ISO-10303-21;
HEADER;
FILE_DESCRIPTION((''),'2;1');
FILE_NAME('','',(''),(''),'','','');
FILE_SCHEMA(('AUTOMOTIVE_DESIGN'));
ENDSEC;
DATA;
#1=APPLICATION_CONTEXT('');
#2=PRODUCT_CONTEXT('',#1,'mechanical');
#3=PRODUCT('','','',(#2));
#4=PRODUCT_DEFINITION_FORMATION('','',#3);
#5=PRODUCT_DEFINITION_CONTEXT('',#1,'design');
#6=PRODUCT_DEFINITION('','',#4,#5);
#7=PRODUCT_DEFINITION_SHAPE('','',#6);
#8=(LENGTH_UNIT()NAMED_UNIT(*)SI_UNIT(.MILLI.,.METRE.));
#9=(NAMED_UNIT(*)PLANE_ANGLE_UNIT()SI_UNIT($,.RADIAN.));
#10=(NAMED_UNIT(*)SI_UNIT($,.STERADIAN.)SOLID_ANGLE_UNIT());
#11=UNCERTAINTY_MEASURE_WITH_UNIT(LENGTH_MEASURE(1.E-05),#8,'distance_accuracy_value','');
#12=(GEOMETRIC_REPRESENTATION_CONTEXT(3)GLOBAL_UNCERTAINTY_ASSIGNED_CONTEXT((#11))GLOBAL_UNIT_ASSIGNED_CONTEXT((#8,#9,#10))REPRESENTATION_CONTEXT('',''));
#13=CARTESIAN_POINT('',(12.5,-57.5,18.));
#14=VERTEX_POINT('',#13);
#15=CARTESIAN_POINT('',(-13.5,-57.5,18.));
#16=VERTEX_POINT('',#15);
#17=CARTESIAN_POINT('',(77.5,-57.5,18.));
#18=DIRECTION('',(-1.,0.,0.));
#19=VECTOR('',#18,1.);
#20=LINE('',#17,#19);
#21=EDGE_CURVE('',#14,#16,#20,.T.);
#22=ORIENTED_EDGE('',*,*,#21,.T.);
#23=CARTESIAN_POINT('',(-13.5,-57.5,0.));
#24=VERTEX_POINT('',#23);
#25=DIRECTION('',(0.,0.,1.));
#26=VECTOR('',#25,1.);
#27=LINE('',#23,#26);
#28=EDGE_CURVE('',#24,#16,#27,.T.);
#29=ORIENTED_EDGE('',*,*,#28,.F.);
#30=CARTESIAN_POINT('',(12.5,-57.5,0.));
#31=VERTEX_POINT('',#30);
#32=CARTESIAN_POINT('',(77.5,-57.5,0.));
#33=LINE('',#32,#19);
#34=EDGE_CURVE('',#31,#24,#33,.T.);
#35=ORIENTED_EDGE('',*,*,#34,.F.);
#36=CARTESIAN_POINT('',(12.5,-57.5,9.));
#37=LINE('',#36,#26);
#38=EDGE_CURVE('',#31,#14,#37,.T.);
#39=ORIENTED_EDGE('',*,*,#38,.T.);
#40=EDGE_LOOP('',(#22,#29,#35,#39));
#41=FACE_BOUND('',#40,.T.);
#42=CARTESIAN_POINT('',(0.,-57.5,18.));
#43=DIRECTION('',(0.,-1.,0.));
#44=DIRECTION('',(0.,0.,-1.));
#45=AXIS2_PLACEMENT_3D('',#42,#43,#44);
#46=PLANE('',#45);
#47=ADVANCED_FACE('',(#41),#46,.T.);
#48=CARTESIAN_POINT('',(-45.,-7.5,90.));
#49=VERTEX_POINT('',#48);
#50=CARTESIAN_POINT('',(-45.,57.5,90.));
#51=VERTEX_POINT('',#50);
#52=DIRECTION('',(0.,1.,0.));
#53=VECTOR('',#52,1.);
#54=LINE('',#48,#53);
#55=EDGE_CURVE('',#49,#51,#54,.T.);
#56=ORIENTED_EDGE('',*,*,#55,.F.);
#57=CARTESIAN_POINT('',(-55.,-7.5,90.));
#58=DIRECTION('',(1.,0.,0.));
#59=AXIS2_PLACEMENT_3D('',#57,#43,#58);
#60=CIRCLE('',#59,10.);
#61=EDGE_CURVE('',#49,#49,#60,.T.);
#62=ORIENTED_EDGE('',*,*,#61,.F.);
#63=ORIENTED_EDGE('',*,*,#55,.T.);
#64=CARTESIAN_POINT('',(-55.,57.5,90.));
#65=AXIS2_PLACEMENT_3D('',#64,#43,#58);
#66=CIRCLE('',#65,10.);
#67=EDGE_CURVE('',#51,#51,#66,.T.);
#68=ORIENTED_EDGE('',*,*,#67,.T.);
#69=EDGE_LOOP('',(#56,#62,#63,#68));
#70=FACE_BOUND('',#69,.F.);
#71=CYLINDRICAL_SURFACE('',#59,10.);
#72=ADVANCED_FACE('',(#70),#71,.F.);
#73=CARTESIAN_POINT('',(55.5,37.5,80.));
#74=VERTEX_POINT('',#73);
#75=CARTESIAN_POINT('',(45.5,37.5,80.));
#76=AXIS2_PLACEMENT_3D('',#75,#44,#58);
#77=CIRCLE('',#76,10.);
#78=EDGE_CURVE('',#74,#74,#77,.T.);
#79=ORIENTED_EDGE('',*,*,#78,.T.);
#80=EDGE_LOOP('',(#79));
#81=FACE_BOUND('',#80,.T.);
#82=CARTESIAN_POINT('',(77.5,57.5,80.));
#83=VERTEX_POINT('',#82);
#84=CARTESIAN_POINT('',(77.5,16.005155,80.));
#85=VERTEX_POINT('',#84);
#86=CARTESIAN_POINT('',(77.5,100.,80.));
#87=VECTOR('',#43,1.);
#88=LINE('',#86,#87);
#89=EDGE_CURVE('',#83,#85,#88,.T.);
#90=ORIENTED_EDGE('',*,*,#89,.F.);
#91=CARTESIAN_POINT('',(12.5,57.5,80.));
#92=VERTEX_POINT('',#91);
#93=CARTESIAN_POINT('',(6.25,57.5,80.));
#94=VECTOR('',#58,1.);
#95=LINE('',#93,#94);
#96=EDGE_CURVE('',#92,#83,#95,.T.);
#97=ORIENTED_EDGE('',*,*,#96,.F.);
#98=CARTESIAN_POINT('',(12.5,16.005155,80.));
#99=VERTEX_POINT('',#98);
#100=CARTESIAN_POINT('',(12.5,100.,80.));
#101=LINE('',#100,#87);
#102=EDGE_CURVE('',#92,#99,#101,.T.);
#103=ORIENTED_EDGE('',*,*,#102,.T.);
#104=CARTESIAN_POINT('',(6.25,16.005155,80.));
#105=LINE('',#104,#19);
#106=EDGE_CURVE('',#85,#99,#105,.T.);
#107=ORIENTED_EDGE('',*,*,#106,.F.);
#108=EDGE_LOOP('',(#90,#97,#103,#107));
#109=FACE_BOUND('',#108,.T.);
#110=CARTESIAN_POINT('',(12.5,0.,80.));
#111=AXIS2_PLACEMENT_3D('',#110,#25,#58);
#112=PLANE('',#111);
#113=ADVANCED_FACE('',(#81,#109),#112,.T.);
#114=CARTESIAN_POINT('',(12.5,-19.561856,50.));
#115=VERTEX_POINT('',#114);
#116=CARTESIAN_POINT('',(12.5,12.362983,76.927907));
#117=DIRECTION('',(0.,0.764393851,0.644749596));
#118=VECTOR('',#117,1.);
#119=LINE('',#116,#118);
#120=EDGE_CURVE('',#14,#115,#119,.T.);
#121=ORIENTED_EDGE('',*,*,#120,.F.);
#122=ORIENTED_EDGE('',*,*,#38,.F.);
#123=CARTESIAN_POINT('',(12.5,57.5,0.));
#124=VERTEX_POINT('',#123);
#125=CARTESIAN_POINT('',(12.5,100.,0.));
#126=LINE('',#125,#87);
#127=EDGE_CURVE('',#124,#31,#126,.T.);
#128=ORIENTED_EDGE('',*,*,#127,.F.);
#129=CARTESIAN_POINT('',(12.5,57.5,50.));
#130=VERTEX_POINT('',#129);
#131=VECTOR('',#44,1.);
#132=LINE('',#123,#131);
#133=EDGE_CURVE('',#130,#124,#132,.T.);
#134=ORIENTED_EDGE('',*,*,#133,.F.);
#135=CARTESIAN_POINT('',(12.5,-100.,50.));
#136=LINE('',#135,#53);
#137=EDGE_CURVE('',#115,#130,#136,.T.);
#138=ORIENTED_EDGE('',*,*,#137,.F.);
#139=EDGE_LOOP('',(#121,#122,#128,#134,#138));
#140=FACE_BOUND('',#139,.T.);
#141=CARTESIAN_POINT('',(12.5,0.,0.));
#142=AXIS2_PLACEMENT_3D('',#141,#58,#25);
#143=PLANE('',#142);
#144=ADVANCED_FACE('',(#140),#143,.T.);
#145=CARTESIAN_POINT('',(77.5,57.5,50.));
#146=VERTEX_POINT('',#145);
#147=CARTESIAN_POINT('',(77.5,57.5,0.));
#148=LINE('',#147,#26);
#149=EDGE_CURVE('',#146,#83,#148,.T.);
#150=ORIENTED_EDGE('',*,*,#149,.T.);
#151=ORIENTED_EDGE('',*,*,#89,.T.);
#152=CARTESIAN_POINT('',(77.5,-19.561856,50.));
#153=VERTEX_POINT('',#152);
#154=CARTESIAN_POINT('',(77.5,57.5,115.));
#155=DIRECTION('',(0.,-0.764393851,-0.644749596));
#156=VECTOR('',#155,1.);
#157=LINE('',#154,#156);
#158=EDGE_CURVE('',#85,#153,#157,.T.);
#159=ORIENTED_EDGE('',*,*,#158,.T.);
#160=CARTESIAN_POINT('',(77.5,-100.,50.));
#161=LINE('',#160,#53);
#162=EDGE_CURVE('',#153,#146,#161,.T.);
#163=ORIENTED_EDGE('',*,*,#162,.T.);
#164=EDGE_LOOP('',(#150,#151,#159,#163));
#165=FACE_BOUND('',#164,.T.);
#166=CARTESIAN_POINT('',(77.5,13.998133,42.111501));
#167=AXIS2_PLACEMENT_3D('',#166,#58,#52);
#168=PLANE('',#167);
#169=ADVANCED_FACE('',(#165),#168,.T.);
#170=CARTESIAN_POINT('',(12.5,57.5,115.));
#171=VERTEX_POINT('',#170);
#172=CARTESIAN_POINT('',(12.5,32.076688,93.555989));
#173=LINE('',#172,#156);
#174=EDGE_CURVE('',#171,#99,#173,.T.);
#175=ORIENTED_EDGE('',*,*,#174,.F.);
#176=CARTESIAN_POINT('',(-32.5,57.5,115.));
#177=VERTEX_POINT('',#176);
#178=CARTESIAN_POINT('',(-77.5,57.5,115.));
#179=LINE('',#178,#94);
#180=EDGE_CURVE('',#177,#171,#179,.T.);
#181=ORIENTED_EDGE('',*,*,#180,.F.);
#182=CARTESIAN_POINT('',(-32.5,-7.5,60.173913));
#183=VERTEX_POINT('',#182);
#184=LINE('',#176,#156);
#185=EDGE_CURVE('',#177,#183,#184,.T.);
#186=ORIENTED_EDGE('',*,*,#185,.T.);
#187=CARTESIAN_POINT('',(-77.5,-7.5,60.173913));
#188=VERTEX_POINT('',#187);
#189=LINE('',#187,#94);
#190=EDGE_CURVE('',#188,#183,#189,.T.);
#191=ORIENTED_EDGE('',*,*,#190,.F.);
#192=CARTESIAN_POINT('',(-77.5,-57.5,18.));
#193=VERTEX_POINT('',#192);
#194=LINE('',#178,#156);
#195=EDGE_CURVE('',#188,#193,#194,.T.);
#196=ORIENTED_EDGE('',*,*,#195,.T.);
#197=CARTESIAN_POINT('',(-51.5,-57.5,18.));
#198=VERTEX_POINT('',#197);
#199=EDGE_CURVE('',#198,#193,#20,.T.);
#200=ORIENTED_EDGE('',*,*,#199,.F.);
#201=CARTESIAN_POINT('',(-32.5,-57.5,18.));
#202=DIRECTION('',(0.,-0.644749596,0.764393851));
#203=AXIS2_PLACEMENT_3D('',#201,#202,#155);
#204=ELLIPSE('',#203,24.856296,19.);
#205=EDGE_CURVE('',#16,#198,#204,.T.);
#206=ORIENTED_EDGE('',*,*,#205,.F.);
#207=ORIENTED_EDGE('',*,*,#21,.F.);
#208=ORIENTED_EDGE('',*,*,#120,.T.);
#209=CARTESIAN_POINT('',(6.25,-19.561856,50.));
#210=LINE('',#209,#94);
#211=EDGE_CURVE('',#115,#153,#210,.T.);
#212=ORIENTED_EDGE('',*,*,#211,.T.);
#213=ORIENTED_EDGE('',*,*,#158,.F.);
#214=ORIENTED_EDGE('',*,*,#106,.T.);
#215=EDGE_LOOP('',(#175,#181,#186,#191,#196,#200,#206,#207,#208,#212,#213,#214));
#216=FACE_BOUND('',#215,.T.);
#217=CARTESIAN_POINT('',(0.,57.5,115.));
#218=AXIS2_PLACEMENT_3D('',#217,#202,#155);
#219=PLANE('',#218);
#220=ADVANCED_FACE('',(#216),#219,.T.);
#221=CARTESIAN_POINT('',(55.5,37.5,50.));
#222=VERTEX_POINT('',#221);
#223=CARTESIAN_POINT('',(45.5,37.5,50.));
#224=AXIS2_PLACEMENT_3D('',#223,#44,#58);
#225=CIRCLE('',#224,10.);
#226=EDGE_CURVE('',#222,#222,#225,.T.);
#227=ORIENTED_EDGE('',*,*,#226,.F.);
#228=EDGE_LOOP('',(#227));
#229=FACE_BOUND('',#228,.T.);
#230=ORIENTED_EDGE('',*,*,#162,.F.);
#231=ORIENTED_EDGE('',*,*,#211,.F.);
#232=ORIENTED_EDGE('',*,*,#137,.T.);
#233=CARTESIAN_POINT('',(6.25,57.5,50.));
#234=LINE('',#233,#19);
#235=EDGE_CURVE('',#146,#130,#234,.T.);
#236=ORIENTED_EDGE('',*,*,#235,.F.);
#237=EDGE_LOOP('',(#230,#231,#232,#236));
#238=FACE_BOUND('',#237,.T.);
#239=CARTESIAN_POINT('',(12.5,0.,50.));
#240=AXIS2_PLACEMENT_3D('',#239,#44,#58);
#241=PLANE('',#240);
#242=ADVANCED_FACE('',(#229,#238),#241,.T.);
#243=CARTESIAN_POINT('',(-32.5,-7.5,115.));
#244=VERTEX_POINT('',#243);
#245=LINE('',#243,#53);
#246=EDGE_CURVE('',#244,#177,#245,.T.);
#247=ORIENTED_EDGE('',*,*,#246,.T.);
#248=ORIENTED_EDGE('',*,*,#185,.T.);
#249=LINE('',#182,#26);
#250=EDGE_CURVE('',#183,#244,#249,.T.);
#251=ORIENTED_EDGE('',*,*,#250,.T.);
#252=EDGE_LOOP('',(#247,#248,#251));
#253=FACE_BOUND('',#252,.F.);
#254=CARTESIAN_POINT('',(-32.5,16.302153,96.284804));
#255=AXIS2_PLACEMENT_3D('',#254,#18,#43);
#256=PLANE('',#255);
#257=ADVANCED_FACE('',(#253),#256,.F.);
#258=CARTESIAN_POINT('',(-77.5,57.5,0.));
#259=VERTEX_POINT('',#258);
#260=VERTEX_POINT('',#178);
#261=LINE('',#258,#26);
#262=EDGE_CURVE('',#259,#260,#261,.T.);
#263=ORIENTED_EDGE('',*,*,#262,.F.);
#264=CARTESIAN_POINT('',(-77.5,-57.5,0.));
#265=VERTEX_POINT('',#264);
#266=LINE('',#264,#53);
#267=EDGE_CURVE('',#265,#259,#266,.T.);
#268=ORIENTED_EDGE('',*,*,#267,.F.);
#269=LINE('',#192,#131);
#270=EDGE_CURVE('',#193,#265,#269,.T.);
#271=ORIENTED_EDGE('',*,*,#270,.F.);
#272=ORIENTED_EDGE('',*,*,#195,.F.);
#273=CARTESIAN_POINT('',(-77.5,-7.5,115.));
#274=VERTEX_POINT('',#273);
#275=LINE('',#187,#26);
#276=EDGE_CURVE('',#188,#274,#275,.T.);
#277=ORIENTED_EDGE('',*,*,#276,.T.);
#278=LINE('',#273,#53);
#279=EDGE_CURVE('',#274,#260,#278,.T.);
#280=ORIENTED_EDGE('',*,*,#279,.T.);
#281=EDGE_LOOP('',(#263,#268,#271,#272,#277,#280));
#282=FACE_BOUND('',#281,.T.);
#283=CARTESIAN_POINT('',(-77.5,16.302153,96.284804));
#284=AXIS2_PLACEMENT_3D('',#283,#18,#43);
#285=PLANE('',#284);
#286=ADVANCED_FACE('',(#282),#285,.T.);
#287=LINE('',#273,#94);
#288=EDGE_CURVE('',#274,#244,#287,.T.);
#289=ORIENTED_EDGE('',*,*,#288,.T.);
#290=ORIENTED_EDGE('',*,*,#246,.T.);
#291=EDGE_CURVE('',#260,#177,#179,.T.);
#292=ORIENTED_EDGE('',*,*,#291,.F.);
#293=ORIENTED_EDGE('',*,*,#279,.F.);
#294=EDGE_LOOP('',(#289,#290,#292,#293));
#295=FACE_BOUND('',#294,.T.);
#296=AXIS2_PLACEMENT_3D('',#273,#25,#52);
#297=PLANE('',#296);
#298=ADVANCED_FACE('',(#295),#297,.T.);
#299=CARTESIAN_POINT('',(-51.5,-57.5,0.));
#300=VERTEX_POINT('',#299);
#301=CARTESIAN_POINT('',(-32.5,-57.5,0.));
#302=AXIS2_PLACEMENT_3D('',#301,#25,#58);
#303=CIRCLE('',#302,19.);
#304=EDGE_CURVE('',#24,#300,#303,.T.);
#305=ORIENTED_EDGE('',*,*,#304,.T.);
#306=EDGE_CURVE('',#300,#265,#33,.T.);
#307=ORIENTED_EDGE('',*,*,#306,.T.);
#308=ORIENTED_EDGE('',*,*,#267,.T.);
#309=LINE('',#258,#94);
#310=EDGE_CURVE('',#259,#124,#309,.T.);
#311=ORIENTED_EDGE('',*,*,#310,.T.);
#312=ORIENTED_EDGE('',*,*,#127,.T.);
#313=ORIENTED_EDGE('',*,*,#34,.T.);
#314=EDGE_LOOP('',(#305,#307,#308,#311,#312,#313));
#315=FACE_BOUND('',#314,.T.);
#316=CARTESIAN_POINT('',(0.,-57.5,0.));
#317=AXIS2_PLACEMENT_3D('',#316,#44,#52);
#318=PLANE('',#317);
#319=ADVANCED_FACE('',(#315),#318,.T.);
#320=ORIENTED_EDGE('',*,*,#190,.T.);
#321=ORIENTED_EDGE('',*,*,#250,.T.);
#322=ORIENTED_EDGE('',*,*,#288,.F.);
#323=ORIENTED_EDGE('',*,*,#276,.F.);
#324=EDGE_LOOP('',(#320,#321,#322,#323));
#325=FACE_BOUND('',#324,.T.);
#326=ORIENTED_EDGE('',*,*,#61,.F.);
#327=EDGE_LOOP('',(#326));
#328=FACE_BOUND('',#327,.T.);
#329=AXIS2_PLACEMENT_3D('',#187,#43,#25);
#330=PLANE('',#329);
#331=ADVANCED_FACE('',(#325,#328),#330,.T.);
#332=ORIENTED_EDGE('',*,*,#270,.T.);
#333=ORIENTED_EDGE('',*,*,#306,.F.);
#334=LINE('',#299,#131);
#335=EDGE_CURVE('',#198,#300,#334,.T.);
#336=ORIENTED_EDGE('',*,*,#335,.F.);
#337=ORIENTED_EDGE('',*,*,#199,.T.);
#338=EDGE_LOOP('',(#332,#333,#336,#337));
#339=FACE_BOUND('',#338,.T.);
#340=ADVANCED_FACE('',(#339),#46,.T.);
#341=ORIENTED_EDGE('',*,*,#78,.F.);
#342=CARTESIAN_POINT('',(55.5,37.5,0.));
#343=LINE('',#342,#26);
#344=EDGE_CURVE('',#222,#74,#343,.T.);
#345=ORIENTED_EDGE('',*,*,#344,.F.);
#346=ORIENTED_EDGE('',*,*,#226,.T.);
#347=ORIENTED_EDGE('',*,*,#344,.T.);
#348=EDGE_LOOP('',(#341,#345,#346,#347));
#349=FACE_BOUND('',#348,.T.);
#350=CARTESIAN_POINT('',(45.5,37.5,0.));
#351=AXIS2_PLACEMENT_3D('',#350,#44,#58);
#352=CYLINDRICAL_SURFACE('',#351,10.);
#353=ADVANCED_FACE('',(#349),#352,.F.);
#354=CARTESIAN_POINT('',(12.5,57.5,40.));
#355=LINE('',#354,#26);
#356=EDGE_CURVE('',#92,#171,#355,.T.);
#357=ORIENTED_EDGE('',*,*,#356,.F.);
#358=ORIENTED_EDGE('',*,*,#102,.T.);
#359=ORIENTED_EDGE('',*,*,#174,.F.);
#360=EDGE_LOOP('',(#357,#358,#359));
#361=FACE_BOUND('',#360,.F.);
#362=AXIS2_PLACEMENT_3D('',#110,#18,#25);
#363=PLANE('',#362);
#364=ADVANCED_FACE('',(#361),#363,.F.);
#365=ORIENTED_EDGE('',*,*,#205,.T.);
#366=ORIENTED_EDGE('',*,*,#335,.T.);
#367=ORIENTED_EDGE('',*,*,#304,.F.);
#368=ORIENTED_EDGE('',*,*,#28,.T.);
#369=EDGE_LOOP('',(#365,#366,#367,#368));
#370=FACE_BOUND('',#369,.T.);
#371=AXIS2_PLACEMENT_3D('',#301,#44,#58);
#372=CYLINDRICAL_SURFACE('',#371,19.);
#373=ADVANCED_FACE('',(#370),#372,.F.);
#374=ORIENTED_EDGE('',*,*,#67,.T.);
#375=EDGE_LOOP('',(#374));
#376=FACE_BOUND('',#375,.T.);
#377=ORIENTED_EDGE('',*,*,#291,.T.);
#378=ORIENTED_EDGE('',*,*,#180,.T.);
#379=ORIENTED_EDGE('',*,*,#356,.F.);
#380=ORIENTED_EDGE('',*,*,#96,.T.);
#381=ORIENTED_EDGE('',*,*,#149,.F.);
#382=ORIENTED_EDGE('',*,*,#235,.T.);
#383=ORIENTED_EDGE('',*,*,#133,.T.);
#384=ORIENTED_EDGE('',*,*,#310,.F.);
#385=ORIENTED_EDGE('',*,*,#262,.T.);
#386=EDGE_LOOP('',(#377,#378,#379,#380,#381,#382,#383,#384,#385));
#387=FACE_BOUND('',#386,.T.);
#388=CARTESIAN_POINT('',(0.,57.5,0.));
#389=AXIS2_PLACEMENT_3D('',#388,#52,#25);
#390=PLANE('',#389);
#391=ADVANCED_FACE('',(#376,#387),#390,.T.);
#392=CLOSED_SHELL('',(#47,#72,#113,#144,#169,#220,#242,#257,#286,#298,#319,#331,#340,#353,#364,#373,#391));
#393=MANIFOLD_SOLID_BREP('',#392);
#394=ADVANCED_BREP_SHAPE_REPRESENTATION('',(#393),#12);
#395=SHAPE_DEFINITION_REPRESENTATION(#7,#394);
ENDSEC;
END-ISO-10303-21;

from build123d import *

# Parameters (mm, degrees)
F1_DEPTH = 77.5
F2_W     = 65
F2_H     = 35
F2_H_2   = 50
F3_DEPTH = 100
F4_R     = 19
F4_R_2   = 10
F5_DEPTH = 160.94138
F7_DEPTH = 45
F8_R     = 10
F9_DEPTH = 65


with BuildPart() as f1:
    # F0 (on Right) → F1 (new body, symmetric)
    with BuildSketch(Plane.YZ):
        Polygon((-57.5, 0), (57.5, 0), (57.5, 115), (-57.5, 18), align=None)
    extrude(amount=F1_DEPTH, both=True)

    # F2 (on Front) → F3 (cut, symmetric)
    with BuildSketch(Plane.XZ):
        with Locations((45, 97.5)):
            Rectangle(F2_W, F2_H)
        with Locations((45, 25)):
            Rectangle(F2_W, F2_H_2)
    extrude(amount=F3_DEPTH, both=True, mode=Mode.SUBTRACT)

    # F4 (on Top) → F5 (cut)
    with BuildSketch(Plane.XY):
        with Locations((-32.5, -57.5)):
            Circle(F4_R)
        with Locations((45.5, 37.5)):
            Circle(F4_R_2)
    extrude(amount=F5_DEPTH, mode=Mode.SUBTRACT)

    # F6 (on face) → F7 (join)
    with BuildSketch(Plane(origin=(-77.5, 0, 0), x_dir=(0, -1, 0), z_dir=(-1, 0, 0))):
        Polygon((7.5, 115), (-57.5, 115), (7.5, 60.1739130435), align=None)
    extrude(amount=-F7_DEPTH)

    # F8 (on face) → F9 (cut, through all)
    with BuildSketch(Plane.XZ.offset(7.5)):
        with Locations((-55, 90)):
            Circle(F8_R)
    extrude(amount=-F9_DEPTH, mode=Mode.SUBTRACT)


solid = f1.part
